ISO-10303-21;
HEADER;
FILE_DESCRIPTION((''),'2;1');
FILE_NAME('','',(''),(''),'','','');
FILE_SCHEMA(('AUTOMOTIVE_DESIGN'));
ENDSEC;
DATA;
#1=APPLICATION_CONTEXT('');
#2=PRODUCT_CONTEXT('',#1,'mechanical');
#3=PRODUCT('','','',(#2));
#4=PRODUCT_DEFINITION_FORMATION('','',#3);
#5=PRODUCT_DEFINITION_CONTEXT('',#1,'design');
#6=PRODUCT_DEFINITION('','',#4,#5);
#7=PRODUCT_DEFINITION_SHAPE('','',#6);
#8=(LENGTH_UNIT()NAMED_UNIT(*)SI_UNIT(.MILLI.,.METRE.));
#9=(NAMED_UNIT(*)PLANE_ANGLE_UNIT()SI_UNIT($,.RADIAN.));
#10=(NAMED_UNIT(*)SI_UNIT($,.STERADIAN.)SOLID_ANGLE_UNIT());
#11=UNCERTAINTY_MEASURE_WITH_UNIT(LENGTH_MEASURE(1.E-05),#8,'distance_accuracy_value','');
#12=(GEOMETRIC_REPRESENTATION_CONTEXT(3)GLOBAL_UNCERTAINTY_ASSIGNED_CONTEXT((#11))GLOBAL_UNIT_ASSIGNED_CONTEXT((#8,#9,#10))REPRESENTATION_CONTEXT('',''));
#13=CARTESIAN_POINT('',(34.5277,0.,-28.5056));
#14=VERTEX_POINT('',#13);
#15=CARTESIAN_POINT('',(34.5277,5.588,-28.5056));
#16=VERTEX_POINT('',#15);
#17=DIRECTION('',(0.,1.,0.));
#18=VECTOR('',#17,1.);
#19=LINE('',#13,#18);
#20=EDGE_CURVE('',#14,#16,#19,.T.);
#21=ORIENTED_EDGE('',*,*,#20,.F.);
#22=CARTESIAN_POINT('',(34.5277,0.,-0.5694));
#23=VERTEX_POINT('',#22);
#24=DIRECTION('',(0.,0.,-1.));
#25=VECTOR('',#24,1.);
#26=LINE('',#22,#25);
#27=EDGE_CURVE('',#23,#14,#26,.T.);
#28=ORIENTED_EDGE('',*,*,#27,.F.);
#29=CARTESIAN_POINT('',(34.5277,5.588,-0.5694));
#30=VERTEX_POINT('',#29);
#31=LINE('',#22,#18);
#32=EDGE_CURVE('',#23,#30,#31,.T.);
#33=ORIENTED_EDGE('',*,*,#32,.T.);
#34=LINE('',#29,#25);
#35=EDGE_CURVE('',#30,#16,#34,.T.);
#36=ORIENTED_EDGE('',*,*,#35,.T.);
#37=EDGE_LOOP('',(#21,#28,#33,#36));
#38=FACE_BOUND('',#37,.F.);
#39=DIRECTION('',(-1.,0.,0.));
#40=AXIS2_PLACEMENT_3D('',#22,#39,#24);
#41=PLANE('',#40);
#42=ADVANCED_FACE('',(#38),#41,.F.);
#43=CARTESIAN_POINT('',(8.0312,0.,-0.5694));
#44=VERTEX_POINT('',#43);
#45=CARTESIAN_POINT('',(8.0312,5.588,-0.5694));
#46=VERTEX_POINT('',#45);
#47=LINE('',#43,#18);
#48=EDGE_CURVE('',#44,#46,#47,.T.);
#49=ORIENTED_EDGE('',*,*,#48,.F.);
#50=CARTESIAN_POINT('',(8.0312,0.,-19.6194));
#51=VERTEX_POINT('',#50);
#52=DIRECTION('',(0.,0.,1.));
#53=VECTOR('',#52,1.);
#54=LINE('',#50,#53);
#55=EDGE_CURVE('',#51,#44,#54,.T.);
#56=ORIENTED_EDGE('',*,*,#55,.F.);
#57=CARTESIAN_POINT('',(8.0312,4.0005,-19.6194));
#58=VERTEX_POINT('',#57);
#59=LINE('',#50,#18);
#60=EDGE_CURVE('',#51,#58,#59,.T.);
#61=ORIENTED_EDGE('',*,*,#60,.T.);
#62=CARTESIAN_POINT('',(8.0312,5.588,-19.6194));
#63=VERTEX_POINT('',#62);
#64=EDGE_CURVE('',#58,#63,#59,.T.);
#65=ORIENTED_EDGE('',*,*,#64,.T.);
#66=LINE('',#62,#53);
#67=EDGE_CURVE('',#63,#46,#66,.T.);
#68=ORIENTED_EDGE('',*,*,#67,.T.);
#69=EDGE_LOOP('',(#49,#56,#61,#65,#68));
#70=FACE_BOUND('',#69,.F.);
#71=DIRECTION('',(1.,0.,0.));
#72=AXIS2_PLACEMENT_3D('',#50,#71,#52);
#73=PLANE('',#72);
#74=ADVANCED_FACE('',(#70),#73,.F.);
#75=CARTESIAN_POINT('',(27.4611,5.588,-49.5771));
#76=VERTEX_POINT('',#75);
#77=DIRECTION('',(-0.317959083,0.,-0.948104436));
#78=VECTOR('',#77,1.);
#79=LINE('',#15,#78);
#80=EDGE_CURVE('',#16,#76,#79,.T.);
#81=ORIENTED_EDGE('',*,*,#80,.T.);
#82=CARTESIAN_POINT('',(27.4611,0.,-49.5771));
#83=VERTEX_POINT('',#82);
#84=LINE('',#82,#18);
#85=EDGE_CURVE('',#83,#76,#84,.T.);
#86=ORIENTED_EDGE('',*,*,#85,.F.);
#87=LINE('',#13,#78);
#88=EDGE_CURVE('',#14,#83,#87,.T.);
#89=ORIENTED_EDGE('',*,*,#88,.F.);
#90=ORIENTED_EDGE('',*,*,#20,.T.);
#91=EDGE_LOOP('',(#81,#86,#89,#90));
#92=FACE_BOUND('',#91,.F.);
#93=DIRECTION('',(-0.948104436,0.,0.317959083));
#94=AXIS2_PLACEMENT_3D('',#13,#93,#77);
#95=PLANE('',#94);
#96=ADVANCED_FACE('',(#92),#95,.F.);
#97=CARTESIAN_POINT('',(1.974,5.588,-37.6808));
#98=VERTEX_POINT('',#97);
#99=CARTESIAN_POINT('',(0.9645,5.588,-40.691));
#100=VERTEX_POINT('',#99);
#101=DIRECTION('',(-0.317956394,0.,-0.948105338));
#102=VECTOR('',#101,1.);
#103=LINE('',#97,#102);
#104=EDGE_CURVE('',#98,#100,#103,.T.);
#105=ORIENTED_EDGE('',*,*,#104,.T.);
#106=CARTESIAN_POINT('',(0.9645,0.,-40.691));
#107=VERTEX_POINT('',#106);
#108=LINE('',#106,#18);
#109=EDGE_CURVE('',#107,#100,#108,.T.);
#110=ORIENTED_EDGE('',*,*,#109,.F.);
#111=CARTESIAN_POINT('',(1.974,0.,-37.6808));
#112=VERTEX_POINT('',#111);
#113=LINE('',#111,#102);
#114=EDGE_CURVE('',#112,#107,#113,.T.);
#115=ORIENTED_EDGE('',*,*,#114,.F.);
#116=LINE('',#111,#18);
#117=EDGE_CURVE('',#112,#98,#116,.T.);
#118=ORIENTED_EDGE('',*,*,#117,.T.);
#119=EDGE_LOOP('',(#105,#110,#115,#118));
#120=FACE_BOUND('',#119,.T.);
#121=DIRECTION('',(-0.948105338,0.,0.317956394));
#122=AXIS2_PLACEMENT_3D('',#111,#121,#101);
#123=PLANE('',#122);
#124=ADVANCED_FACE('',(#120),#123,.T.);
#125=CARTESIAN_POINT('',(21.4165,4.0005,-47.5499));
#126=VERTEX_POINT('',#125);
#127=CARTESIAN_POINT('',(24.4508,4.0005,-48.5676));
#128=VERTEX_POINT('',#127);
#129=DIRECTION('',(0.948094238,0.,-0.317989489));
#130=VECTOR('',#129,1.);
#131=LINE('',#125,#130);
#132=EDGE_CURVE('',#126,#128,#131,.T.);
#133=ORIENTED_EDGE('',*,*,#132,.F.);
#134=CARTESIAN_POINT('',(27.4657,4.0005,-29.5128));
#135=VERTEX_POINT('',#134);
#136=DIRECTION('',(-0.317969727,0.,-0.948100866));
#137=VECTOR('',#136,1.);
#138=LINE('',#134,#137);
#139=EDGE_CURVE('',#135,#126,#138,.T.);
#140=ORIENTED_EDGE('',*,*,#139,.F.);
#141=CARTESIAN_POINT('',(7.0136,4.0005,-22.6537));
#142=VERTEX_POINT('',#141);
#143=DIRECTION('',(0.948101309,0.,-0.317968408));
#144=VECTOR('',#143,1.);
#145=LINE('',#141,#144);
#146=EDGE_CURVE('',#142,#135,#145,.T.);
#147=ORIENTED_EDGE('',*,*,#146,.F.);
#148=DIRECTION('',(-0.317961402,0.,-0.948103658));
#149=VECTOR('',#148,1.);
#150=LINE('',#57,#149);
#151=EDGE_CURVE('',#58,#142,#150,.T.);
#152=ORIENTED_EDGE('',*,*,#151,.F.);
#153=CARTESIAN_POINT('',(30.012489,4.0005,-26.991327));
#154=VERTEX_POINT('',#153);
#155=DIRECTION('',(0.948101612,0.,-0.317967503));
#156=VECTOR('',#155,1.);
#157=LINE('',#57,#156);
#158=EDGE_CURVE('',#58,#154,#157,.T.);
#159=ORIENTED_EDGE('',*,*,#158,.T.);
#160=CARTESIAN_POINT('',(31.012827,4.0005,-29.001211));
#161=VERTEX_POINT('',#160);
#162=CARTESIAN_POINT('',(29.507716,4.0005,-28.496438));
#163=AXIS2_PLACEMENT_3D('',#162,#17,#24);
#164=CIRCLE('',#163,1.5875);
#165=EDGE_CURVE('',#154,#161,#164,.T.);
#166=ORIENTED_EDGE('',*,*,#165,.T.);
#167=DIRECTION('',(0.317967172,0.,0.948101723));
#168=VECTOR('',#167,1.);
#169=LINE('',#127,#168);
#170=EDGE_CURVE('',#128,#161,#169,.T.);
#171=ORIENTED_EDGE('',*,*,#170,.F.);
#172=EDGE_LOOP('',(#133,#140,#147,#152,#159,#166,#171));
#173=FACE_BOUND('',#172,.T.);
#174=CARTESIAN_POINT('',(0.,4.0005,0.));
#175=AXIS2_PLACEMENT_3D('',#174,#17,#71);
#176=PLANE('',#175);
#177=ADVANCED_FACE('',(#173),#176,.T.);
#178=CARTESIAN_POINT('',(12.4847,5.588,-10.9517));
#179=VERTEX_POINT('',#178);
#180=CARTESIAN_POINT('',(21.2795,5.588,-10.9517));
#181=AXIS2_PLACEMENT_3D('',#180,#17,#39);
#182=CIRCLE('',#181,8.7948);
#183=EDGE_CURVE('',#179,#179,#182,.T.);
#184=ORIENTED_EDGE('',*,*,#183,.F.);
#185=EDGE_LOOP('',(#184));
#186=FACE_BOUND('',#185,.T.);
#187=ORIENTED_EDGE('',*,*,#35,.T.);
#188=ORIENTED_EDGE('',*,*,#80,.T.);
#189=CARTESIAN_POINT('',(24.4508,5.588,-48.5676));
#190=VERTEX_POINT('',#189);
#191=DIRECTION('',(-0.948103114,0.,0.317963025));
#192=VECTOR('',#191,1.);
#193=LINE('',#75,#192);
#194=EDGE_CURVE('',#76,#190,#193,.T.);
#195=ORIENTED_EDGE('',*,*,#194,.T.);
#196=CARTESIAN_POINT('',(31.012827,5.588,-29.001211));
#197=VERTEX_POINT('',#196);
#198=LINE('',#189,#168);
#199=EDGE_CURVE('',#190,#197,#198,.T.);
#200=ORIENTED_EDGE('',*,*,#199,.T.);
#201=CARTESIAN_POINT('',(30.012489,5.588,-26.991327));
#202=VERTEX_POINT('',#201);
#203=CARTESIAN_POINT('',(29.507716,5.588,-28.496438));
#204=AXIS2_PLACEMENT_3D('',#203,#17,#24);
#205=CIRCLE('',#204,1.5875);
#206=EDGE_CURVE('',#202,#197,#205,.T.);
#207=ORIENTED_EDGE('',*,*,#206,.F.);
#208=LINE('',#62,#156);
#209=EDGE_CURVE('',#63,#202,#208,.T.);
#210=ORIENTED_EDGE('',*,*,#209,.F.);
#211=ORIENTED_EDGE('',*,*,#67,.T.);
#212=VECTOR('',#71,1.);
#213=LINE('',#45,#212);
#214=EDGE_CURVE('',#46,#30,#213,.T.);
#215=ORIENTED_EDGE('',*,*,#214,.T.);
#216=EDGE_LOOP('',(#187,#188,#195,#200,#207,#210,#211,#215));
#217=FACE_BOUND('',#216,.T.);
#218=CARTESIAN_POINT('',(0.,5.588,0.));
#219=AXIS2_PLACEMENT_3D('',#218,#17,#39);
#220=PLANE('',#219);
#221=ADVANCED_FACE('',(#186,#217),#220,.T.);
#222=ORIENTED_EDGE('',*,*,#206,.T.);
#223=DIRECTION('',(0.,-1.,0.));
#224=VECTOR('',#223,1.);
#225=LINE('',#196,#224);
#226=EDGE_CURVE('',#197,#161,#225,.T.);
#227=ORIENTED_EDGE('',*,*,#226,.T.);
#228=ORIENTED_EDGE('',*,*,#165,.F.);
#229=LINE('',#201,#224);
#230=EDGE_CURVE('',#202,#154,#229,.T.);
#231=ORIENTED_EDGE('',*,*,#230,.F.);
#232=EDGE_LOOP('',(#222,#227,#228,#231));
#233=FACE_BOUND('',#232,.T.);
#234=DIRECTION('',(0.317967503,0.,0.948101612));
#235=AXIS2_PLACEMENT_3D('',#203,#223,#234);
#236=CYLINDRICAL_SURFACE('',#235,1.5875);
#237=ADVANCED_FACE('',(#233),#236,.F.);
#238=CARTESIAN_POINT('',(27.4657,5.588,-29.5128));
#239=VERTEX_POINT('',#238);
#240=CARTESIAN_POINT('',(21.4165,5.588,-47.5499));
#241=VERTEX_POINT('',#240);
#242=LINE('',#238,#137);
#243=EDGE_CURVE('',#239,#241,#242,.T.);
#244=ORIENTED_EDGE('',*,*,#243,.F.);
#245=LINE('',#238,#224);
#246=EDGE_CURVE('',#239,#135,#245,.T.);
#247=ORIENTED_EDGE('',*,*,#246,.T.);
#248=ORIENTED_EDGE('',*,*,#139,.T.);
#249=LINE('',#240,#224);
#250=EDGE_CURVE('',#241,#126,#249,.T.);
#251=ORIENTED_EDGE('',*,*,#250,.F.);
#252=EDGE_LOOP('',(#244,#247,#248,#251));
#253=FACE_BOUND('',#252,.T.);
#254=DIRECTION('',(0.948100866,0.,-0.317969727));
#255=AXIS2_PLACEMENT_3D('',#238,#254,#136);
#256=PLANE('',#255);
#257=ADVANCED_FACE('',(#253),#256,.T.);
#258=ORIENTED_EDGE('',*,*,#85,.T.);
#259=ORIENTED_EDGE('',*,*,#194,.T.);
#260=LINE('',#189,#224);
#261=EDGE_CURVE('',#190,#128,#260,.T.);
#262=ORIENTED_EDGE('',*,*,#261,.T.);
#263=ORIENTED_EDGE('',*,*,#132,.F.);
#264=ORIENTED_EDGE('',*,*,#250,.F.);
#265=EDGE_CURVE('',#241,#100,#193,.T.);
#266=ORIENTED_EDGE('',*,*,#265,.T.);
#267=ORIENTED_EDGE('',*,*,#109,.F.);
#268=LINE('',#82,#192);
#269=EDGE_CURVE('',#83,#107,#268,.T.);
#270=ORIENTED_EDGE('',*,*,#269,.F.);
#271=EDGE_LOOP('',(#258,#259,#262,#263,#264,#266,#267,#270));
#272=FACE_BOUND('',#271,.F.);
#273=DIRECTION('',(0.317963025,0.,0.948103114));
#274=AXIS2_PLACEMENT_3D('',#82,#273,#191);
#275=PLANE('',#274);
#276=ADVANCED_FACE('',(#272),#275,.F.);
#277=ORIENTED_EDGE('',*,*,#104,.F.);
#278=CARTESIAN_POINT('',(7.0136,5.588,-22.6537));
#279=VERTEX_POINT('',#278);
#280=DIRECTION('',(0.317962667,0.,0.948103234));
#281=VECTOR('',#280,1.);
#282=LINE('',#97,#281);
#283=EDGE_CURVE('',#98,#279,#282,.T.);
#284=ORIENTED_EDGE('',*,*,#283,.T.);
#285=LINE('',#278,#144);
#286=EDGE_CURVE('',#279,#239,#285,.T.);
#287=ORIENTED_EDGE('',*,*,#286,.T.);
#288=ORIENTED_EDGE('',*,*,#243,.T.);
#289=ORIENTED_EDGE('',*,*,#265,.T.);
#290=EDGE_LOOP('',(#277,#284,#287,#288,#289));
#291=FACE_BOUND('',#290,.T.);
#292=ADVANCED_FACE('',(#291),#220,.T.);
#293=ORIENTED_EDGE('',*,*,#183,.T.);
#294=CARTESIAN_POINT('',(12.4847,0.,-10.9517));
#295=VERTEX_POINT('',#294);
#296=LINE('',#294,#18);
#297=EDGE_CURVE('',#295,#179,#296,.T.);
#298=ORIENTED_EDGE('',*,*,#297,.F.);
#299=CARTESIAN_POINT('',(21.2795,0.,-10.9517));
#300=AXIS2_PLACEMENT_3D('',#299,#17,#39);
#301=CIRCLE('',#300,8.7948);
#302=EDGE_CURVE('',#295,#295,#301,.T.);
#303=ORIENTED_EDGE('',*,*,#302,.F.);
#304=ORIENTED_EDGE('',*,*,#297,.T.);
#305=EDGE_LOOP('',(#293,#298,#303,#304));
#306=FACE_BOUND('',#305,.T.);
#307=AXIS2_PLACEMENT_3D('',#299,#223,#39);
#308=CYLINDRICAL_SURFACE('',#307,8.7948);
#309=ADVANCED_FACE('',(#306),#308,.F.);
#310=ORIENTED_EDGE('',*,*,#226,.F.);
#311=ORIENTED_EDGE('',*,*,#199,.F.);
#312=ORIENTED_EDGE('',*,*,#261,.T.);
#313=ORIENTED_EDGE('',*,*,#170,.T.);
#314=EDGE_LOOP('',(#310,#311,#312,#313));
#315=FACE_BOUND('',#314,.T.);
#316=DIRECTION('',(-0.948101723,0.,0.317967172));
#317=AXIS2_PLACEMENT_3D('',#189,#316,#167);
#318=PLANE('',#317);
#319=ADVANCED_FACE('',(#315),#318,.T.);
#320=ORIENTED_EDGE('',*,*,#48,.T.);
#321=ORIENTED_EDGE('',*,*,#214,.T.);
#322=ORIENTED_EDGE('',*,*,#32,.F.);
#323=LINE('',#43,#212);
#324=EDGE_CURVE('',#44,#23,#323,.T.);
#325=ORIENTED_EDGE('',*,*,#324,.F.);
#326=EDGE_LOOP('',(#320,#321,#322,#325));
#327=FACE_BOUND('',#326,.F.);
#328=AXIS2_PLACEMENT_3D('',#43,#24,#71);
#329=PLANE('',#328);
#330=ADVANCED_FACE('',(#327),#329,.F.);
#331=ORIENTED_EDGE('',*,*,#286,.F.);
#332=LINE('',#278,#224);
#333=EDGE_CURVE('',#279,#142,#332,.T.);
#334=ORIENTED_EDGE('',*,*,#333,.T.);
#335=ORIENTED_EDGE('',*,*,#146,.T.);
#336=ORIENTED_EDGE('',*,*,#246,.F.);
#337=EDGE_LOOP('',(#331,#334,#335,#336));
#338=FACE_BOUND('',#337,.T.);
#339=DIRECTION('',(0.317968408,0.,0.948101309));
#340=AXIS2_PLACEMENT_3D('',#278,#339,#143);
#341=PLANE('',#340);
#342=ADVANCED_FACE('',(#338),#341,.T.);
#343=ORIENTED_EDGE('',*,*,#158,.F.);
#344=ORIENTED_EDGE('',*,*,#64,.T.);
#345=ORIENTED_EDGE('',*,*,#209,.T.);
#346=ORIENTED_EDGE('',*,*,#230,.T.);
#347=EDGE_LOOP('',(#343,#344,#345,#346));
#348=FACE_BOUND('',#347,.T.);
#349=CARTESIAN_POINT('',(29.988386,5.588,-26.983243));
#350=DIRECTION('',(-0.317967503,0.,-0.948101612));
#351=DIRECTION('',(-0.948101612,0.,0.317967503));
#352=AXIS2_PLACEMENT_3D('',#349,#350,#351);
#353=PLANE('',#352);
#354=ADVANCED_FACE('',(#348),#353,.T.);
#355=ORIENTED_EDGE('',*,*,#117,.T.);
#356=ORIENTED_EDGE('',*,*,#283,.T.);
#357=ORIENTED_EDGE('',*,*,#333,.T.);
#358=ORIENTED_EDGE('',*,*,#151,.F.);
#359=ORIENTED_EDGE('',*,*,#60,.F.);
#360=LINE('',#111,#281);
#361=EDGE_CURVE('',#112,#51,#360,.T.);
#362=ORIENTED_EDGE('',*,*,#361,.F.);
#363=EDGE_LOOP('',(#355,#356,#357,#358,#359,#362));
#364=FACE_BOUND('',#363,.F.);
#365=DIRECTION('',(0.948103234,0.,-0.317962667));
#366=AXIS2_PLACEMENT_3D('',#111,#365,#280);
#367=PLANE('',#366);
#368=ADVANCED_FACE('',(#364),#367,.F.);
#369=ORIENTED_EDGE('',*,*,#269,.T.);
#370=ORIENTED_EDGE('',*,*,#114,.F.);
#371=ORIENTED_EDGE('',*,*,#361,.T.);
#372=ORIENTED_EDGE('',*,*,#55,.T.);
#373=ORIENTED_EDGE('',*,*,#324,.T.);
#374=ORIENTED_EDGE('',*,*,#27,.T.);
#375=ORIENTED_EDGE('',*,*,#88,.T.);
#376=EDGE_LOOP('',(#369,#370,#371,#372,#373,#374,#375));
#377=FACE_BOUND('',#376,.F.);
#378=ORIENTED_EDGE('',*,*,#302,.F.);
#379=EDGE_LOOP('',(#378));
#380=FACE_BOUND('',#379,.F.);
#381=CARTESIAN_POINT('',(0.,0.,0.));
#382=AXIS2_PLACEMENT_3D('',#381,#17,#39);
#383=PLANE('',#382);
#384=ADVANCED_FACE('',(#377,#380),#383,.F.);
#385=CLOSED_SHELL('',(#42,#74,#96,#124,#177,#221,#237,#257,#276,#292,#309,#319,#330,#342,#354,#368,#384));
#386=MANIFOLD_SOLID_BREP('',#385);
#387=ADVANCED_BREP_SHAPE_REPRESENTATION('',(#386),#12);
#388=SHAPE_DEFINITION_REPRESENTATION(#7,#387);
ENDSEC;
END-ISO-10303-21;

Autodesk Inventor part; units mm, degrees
ref_plane "YZ Plane" through (0, 0, 0) normal (1, 0, 0) x (0, 1, 0)
ref_plane "XZ Plane" through (0, 0, 0) normal (0, 1, 0) x (-1, 0, 0)
ref_plane "XY Plane" through (0, 0, 0) normal (0, 0, 1) x (1, 0, 0)
sketch "Sketch1" plane through (0, 0, 0) normal (0, 1, 0) x (-1, 0, 0)
  line L0 (-8.0312, -19.6194) -> (-8.0312, -0.5694)
  line L1 (-8.0312, -0.5694) -> (-34.5277, -0.5694)
  line L2 (-34.5277, -0.5694) -> (-34.5277, -28.5056)
  line L3 (18.6455, 5.0782) -> (18.6456, 5.0782)
  line L4 (-1.974, -37.6808) -> (-8.0312, -19.6194)
  line L5 (-34.5277, -28.5056) -> (-27.4611, -49.5771)
  line L6 (-1.974, -37.6808) -> (-0.9645, -40.691)
  line L7 (-27.4611, -49.5771) -> (-0.9645, -40.691)
  circle A0 centre (-21.2795, -10.9517) radius 8.7948
  line L8 (-8.0312, -0.5694) -> (-8.0312, -19.6194)
  line L9 (-8.0312, -19.6194) -> (-0.9645, -40.691)
  line L10 (-0.9645, -40.691) -> (-27.4611, -49.5771)
  line L11 (-27.4611, -49.5771) -> (-34.5277, -28.5056)
  line L12 (-34.5277, -28.5056) -> (-34.5277, -0.5694)
  line L13 (-34.5277, -0.5694) -> (-8.0312, -0.5694)
  point P0 (0, 0)
  point P1 (-21.2795, -2.1569)
  dimension "d4" = 17.5895
  dimension "d0" = 19.05
  dimension "d1" = 22.225
  dimension "d2" = 27.9469
  dimension "d3" = 26.4965
  dimension "d17" = 13.2483
  dimension "d18" = 1.5875
  dimension "d19" = 13.2483
  dimension "d20" = 10.3823
extrude "Extrusion1" add sketch "Sketch1" along normal blind 5.588
sketch "Sketch2" plane through (0, 5.588, 0) normal (0, 1, 0) x (1, 0, 0)
  line L0 (31.5176, 27.4961) -> (8.0312, 19.6194)
  line L1 (8.0312, 19.6194) -> (7.0136, 22.6537)
  line L2 (7.0136, 22.6537) -> (27.4657, 29.5128)
  line L3 (31.5176, 27.4961) -> (29.9884, 26.9832)
  line L4 (27.4657, 29.5128) -> (21.4165, 47.5499)
  line L5 (21.4165, 47.5499) -> (24.4508, 48.5676)
  line L6 (24.4508, 48.5676) -> (31.5176, 27.4961)
  line L7 (27.4611, 49.5771) -> (0.9645, 40.691) projected
  point P0 (0, 0)
  point P1 (0, 0)
  dimension "d10" = 3.175
  dimension "d11" = 3.2004
  dimension "d12" = 3.2004
  dimension "d15" = 0
extrude "Extrusion2" cut sketch "Sketch2" against normal blind 1.5875
fillet "Fillet1" radius 1.5875 1 edges at (31.5176, 4.7942, -27.4961)
properties part number "Lidar Sensor Case Piece 2"
